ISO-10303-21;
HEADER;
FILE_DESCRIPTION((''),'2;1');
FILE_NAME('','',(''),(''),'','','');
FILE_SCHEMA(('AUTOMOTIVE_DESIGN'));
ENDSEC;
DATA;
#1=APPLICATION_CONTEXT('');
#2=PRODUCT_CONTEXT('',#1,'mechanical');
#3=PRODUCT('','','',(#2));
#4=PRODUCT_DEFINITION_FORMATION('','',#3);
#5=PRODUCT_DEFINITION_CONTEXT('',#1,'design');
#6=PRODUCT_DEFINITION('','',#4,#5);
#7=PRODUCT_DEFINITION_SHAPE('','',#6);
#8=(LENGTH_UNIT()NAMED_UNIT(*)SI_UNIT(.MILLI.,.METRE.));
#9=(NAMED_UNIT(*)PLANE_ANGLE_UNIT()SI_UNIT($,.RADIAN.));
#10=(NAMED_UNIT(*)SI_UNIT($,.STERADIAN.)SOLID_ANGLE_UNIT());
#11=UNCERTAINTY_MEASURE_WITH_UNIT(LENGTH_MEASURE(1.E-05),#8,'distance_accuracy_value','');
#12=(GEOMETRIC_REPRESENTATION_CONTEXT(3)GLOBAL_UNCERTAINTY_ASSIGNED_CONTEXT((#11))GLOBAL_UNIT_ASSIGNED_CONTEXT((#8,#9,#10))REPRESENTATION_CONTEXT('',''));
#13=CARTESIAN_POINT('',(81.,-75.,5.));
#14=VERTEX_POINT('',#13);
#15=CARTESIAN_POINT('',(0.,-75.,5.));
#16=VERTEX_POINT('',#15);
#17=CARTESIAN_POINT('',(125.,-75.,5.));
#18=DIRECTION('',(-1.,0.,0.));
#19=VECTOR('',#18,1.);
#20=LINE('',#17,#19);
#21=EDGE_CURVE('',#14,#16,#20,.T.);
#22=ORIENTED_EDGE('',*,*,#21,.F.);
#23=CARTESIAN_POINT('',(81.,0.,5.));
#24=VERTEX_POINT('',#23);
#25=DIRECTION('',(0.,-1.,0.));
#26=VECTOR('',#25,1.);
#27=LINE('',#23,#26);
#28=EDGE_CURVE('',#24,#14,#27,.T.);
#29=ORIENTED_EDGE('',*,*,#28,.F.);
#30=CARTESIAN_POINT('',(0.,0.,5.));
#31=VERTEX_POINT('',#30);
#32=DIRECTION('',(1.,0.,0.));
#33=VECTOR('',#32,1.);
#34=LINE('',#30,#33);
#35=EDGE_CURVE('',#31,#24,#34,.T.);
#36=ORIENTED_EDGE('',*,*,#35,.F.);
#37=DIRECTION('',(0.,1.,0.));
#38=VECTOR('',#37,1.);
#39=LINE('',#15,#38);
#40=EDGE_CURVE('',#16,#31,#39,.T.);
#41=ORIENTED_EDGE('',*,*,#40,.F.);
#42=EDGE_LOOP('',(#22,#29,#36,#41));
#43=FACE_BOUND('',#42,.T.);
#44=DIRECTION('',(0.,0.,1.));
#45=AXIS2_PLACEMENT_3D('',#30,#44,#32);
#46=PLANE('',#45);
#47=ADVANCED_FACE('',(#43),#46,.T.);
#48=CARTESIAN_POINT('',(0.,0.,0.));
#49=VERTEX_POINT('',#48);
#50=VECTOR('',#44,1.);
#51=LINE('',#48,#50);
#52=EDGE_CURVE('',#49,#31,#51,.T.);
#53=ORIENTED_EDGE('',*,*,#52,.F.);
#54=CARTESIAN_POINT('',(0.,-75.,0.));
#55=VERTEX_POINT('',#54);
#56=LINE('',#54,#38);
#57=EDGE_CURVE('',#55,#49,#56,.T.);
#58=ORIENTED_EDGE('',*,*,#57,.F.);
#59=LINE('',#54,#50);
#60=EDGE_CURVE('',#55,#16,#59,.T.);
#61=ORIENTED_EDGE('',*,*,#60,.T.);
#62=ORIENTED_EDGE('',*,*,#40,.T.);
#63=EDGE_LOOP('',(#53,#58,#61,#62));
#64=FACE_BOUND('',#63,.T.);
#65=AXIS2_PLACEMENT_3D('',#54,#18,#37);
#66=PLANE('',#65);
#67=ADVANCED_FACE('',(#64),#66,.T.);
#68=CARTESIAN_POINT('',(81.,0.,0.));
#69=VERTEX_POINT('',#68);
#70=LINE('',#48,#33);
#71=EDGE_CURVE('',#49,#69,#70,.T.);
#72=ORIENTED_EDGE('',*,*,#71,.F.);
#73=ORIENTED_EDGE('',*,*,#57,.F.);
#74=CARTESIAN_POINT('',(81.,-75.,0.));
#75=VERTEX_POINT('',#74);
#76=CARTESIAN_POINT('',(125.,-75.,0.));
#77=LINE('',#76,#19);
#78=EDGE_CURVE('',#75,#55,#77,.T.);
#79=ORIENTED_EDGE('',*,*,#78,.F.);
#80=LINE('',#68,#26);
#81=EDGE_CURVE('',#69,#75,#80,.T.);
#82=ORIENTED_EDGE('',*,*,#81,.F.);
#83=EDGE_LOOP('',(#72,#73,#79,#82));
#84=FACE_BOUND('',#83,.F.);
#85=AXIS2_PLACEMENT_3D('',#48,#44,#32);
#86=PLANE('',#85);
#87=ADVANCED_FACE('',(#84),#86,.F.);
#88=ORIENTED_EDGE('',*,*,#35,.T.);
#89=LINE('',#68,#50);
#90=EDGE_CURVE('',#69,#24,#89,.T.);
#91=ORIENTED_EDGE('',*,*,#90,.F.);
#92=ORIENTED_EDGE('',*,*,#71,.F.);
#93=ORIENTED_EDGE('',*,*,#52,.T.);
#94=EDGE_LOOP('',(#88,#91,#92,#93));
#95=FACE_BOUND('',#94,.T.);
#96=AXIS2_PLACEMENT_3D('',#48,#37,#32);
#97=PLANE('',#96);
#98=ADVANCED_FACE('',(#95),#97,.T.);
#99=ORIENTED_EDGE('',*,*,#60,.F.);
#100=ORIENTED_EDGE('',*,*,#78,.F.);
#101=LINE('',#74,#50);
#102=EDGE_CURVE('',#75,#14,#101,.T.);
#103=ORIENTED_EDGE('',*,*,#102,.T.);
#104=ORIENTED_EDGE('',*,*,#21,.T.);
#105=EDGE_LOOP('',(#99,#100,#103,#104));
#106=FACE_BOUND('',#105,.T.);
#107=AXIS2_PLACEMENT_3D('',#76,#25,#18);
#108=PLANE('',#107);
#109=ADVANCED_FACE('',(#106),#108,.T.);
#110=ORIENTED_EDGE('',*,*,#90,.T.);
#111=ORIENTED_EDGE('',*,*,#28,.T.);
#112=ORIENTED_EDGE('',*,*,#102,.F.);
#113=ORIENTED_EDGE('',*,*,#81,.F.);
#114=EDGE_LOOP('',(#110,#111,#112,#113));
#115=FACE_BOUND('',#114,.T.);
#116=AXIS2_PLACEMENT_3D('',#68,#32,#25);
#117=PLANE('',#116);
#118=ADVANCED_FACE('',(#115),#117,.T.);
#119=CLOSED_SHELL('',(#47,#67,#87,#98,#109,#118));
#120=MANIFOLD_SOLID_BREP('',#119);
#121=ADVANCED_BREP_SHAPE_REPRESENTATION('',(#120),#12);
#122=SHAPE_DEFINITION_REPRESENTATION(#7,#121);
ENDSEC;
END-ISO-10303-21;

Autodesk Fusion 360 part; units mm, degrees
sketch "Sketch1" plane through (0, 0, 0) normal (0, 0, 1) x (1, 0, 0)
  line L0 (0, 0) -> (125, 0)
  line L1 (125, 0) -> (125, -75)
  line L2 (125, -75) -> (0, -75)
  line L3 (0, -75) -> (0, 0)
extrude "Extrude1" add sketch "Sketch1" along normal blind 5
extrude "Extrude2" cut 1 faces at (125, -25, 3.3333) along direction (-1, 0, 0) blind 44
